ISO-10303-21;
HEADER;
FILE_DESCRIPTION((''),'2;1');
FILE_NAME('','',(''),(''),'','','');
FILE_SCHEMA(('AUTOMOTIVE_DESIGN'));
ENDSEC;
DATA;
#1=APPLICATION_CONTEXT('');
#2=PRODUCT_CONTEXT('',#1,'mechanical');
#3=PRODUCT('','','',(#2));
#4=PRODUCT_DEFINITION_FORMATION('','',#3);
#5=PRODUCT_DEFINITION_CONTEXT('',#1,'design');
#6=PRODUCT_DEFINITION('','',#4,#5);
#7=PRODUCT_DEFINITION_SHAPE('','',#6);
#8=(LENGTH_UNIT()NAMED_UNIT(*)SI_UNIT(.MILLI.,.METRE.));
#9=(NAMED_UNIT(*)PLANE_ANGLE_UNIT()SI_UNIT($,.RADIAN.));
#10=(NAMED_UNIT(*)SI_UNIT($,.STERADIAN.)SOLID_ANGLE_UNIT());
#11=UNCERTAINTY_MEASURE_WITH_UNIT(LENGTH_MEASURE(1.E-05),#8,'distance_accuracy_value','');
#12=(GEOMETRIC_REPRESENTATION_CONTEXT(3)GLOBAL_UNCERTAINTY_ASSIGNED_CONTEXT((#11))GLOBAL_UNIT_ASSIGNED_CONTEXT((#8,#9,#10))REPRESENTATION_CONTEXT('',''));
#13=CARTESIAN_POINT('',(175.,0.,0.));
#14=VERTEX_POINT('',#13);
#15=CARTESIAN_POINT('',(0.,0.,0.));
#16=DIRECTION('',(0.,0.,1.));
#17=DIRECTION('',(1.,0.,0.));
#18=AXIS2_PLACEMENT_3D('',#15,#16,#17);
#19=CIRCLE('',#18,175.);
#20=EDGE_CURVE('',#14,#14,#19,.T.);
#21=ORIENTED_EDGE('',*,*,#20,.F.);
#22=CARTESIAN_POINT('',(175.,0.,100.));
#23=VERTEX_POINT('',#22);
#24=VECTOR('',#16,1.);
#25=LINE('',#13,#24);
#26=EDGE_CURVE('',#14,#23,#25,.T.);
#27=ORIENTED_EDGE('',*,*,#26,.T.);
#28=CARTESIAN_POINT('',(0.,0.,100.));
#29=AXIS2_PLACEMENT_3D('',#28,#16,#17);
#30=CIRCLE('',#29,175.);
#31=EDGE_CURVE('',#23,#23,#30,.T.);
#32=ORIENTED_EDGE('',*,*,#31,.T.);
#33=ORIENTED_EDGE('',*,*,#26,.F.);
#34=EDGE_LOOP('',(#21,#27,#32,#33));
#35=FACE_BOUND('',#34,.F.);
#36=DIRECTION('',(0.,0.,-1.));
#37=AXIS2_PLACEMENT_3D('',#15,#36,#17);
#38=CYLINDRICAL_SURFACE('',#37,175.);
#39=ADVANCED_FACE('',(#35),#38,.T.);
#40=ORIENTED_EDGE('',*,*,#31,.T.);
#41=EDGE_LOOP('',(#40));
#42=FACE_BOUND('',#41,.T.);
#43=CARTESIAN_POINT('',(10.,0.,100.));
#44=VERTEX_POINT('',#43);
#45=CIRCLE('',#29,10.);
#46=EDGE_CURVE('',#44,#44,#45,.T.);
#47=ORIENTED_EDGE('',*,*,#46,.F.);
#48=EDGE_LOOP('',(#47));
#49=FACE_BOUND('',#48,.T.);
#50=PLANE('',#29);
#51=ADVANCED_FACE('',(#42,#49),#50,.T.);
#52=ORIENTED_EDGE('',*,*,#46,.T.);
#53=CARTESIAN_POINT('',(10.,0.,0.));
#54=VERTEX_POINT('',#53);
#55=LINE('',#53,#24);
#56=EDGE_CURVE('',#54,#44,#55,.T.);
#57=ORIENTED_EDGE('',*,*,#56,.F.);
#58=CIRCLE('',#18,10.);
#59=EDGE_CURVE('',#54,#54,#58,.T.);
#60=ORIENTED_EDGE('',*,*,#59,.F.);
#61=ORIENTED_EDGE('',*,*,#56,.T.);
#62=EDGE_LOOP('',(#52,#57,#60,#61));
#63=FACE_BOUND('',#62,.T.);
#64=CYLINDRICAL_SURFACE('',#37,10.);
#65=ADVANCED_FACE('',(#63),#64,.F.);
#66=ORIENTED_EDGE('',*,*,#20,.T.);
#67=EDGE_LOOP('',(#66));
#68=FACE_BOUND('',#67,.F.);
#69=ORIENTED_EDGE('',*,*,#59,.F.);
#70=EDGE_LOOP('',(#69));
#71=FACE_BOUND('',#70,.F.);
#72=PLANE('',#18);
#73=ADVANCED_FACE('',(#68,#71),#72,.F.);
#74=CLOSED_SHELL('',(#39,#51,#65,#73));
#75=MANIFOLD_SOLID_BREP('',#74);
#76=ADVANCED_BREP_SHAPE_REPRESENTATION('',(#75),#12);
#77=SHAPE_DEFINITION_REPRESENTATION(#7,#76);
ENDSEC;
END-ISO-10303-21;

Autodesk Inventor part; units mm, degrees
ref_plane "YZ Plane" through (0, 0, 0) normal (1, 0, 0) x (0, 1, 0)
ref_plane "XZ Plane" through (0, 0, 0) normal (0, 1, 0) x (-1, 0, 0)
ref_plane "XY Plane" through (0, 0, 0) normal (0, 0, 1) x (1, 0, 0)
sketch "Sketch1" plane through (0, 0, 0) normal (0, 0, 1) x (1, 0, 0)
  circle A0 centre (0, 0) radius 175
  circle A1 centre (0, 0) radius 10
  dimension "d0" = 350
  dimension "d1" = 20
extrude "Extrusion1" add sketch "Sketch1" along normal blind 100
properties part number "Wheel 350x100x20"
